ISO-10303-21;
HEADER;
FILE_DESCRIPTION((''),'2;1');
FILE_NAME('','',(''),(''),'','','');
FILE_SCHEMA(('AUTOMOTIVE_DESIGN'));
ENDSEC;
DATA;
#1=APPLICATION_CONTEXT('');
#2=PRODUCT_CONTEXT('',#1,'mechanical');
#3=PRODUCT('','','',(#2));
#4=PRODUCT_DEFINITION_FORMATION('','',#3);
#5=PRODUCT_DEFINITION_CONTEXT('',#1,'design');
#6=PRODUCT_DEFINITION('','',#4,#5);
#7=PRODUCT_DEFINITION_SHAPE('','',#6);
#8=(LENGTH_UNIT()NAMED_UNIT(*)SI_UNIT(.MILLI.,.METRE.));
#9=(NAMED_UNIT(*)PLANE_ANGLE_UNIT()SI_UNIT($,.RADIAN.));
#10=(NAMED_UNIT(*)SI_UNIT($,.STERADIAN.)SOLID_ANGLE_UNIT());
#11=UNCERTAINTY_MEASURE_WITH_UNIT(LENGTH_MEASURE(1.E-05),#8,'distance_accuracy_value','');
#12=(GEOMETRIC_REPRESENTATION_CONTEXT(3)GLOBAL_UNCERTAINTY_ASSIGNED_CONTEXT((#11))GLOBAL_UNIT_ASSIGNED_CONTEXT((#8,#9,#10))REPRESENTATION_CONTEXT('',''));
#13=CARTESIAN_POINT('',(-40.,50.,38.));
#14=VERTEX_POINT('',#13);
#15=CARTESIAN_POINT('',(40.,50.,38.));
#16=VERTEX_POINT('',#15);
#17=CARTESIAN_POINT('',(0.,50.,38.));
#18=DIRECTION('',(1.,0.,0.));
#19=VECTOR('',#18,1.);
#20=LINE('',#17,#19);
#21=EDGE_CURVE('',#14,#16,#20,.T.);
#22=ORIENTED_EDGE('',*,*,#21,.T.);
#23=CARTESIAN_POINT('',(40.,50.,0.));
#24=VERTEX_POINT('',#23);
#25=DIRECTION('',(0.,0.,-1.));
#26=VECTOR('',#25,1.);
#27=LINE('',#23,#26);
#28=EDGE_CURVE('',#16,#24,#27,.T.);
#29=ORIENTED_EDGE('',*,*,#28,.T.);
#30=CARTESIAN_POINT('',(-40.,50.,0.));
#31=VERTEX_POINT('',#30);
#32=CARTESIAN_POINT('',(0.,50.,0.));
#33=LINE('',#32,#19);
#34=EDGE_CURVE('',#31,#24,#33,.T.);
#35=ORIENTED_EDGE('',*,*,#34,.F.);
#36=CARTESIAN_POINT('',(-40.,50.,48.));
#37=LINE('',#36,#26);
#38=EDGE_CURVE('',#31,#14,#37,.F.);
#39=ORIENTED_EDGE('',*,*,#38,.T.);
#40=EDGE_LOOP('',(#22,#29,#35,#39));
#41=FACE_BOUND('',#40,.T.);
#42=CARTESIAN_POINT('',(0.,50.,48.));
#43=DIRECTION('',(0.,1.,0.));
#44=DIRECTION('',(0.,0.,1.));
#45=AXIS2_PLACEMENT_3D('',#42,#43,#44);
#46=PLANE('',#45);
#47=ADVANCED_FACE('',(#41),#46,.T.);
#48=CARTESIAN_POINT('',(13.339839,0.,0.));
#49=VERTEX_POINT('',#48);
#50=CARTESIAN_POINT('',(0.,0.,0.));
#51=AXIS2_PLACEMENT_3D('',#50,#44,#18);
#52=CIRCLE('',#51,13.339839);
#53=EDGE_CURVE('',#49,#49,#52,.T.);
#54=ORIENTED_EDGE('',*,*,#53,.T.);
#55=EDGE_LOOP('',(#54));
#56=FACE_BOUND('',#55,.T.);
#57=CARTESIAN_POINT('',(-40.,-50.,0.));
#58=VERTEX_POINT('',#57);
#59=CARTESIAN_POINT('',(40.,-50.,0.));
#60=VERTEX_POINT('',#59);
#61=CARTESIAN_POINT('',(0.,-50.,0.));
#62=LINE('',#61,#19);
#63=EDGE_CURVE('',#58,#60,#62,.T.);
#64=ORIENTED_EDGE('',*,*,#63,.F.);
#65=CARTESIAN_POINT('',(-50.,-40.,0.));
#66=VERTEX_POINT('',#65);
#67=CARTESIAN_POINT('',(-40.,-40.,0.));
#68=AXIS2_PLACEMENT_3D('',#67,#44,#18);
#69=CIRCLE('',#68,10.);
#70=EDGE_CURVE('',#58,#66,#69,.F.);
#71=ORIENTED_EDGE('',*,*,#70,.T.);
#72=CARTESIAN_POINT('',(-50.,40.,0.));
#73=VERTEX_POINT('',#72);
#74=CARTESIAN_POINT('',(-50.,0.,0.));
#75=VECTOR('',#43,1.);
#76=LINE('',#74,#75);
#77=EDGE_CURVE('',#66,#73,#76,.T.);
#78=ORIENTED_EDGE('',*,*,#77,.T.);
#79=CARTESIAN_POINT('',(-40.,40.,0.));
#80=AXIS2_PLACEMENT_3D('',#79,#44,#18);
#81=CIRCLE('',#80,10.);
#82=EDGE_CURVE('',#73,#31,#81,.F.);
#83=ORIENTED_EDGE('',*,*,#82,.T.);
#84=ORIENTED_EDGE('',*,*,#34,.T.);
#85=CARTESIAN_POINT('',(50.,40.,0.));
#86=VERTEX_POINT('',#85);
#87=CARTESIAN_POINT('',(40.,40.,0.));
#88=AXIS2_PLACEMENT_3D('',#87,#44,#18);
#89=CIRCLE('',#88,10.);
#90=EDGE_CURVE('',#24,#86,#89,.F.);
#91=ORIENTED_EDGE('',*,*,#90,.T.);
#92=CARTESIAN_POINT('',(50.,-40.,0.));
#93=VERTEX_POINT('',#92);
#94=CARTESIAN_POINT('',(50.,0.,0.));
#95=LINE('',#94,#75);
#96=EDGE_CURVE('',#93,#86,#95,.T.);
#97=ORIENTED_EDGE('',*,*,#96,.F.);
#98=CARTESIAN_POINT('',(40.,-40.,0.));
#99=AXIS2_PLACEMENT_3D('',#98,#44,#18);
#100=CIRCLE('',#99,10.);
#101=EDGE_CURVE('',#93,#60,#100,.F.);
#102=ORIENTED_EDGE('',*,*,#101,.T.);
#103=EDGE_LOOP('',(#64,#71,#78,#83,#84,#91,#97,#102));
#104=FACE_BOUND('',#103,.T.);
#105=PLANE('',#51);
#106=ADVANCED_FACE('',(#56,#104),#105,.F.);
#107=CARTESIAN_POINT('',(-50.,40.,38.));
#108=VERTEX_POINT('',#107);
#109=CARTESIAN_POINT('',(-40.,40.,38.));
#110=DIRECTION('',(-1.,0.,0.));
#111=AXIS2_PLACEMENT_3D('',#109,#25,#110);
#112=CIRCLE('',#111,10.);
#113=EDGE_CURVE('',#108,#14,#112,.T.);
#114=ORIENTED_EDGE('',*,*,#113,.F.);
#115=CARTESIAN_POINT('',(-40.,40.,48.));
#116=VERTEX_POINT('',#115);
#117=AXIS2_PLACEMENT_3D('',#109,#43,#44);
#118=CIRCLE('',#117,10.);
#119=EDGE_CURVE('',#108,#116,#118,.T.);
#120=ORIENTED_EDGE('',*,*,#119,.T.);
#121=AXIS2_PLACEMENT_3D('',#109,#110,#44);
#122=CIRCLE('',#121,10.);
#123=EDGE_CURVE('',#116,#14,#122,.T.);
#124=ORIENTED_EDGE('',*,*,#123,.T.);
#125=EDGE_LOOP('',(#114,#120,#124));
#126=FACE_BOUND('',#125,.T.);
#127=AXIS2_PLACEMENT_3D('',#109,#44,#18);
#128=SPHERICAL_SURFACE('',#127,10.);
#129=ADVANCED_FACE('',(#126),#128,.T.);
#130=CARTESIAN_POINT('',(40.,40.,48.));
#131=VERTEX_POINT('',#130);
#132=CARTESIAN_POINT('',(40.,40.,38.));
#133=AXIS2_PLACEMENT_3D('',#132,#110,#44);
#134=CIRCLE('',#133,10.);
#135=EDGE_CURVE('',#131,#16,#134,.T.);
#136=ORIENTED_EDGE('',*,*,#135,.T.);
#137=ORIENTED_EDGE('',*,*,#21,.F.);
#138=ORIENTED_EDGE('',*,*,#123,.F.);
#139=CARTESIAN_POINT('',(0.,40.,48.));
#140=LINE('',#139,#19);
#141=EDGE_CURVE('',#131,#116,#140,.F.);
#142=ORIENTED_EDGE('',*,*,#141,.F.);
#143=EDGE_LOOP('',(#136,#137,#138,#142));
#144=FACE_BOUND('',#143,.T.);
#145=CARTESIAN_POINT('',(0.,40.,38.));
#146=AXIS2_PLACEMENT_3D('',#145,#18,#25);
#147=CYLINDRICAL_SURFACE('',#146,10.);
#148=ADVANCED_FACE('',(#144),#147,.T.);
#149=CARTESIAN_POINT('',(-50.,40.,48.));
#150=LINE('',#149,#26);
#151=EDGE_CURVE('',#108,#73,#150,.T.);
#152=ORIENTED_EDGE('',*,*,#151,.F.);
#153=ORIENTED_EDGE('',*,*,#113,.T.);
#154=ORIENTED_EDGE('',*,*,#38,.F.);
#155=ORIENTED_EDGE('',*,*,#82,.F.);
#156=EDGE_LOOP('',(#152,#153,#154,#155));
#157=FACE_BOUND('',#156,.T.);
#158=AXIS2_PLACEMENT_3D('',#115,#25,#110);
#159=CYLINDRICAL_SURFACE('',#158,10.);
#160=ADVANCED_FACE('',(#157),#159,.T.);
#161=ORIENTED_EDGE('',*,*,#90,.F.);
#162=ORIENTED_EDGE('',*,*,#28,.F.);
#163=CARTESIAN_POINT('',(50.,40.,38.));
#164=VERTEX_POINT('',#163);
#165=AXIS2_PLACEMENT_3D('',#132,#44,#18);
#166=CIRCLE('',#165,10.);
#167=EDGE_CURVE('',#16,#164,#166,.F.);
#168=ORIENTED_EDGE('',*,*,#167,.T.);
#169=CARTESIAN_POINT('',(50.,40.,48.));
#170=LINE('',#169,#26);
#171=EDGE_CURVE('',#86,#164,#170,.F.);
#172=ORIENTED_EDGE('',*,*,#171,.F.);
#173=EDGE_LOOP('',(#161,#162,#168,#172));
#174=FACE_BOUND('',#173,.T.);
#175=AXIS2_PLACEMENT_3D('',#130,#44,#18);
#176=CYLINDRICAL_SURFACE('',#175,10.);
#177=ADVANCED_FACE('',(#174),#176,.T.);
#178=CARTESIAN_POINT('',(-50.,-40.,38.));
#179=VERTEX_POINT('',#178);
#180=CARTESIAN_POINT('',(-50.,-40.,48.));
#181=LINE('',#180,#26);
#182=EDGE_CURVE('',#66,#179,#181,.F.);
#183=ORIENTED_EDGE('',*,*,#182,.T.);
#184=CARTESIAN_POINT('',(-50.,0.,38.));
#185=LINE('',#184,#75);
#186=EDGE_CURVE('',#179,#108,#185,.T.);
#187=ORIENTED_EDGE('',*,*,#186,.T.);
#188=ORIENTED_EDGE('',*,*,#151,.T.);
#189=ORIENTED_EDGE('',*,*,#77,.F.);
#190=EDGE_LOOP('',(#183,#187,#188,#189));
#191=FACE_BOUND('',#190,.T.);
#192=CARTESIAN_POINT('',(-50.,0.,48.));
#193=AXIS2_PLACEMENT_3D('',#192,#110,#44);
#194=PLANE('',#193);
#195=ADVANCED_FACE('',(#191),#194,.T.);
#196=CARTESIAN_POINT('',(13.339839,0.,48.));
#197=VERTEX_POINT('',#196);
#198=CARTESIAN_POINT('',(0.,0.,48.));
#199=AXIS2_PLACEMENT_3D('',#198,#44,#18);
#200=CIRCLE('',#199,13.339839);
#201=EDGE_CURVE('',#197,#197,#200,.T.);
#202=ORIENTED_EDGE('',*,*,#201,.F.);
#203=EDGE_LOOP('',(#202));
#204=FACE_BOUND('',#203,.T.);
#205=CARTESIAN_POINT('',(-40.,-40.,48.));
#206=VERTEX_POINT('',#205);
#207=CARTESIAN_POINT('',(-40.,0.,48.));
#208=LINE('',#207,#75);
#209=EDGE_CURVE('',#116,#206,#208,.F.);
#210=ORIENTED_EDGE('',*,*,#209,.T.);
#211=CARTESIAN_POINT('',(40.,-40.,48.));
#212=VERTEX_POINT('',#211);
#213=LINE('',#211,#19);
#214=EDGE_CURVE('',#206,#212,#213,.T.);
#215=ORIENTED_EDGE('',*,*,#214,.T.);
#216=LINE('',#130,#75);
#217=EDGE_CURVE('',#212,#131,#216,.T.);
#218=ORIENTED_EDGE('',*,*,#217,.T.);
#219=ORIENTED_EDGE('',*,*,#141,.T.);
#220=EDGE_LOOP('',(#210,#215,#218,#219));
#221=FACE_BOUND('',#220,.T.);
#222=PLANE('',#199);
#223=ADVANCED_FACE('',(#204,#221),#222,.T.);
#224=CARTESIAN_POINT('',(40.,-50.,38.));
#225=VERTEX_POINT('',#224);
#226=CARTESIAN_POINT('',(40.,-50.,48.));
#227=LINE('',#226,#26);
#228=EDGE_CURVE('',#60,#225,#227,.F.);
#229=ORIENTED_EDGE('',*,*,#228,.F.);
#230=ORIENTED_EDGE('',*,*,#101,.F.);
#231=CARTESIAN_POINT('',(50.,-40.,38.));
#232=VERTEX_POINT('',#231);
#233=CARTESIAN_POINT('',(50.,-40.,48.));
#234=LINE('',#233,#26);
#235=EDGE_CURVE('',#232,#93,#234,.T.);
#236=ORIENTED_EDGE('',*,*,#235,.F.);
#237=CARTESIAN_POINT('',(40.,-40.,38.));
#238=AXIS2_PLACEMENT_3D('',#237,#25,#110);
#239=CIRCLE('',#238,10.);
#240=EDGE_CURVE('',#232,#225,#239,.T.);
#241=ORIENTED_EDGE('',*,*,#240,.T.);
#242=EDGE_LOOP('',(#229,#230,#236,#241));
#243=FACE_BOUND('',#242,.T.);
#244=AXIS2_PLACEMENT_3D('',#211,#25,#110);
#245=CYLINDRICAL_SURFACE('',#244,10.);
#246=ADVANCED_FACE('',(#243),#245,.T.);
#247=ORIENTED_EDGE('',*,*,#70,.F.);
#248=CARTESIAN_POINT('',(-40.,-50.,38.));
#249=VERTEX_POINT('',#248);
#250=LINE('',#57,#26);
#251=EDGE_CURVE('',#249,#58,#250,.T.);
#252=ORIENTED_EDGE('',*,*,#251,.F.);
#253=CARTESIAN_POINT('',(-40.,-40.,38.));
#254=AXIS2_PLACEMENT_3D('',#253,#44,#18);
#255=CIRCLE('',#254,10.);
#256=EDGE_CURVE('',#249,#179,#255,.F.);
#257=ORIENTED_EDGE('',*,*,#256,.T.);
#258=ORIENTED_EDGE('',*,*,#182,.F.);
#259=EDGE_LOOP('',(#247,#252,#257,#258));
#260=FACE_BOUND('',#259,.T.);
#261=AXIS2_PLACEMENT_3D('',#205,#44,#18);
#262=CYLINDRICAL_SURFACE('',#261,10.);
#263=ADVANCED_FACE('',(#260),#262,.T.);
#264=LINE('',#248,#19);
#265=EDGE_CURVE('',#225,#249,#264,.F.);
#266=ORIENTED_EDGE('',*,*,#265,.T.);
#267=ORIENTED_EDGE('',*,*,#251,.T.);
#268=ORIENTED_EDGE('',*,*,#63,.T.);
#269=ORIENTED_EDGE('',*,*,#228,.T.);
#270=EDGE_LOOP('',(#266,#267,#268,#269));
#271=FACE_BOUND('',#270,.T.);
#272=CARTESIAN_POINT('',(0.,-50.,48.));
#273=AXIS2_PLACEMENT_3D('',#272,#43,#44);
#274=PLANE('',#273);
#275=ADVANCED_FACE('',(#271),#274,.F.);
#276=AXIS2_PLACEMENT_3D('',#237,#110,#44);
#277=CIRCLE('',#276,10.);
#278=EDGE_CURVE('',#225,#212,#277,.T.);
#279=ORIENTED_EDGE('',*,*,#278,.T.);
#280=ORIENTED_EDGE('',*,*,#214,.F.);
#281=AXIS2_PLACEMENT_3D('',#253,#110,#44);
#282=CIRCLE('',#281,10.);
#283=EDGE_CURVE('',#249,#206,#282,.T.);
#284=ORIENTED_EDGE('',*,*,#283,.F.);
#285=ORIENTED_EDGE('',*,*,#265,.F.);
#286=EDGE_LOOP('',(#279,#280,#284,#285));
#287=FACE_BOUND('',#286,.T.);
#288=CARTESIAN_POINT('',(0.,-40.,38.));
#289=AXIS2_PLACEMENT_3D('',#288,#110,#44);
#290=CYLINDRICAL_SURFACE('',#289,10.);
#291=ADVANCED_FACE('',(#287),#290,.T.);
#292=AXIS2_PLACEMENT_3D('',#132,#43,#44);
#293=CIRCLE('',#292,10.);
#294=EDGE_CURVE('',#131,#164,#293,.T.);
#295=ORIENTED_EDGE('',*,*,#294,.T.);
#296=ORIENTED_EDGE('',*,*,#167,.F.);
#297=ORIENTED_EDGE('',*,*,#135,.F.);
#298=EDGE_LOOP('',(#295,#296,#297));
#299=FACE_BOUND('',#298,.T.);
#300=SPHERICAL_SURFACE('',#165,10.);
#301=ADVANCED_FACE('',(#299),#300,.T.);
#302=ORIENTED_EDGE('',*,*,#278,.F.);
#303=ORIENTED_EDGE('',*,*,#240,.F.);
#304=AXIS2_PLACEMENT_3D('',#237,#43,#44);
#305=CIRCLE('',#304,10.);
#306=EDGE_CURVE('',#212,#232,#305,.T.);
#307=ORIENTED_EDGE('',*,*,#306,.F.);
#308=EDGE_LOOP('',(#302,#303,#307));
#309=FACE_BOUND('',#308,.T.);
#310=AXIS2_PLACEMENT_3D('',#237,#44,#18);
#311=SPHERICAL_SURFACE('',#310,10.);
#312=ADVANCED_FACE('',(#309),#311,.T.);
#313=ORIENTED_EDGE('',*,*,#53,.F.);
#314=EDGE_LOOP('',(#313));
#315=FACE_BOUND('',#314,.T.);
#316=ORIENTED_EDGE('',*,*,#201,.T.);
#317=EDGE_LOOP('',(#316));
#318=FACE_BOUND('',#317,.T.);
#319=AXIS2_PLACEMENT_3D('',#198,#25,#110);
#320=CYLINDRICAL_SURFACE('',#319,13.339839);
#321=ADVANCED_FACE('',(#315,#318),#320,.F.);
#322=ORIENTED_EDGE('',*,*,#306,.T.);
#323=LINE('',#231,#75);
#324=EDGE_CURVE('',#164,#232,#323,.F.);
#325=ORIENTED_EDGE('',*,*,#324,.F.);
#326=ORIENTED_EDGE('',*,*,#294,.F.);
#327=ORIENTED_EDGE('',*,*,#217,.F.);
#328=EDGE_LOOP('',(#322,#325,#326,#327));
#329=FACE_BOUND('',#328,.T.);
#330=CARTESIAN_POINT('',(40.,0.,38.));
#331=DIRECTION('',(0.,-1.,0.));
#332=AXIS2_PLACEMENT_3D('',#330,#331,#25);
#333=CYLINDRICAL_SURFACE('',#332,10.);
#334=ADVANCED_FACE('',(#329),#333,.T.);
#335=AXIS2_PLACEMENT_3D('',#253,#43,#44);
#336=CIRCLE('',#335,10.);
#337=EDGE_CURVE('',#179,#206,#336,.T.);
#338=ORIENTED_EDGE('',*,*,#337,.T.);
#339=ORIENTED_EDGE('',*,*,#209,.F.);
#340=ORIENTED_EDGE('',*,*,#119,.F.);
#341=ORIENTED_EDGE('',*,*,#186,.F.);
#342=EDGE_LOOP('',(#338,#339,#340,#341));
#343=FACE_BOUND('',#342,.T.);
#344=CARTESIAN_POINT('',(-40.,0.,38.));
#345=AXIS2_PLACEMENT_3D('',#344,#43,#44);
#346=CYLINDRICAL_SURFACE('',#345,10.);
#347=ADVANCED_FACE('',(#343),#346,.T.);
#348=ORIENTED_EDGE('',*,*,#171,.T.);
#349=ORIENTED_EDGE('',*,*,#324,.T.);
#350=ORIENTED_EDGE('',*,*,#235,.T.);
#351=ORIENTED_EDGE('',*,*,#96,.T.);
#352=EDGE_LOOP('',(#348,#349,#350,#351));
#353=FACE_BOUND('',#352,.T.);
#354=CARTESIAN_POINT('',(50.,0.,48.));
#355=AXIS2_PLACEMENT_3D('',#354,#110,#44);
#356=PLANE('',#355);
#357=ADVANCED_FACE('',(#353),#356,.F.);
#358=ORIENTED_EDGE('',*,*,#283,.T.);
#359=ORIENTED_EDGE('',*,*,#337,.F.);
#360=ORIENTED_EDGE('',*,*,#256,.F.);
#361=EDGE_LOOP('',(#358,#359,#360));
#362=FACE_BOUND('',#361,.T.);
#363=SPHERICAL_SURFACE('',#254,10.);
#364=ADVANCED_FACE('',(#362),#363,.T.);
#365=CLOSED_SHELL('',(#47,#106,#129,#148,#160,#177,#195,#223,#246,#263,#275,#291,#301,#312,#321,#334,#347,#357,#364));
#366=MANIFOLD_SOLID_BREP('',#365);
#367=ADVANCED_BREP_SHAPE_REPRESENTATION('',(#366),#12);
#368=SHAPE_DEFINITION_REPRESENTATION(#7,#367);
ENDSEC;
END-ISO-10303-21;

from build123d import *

# Parameters (mm, degrees)
EXTRUDE_1_DEPTH = 48
FILLET_2_R      = 10
FILLET_3_R      = 10


with BuildPart() as part:
    # 草图1 → 凸台-拉伸1 (new body)
    with BuildSketch(Plane.XY):
        with BuildLine():
            Line((-50, 50), (-50, -50))
            Line((-50, -50), (0, -50))
            Line((0, -50), (0, -20.9))
            ThreePointArc((0, -20.9), (-20.9, 0), (0, 20.9))
            Line((0, 20.9), (0, 50))
            Line((0, 50), (-50, 50))
        make_face()
        with BuildLine():
            Line((50, 50), (0, 50))
            Line((0, 50), (0, 20.9))
            ThreePointArc((0, 20.9), (14.778531727, 14.778531727), (20.9, 0))
            Line((20.9, 0), (50, 0))
            Line((50, 0), (50, 50))
        make_face()
        with BuildLine():
            Line((0, -13.339839146), (0, -20.9))
            ThreePointArc((0, -20.9), (14.778531727, -14.778531727), (20.9, 0))
            Line((20.9, 0), (13.339839146, 0))
            ThreePointArc((13.339839146, 0), (9.43269072, -9.43269072), (0, -13.339839146))
        make_face()
        with BuildLine():
            ThreePointArc((20.9, 0), (14.778531727, 14.778531727), (0, 20.9))
            Line((0, 20.9), (0, 13.339839146))
            ThreePointArc((0, 13.339839146), (9.43269072, 9.43269072), (13.339839146, 0))
            Line((13.339839146, 0), (20.9, 0))
        make_face()
        with BuildLine():
            ThreePointArc((0, 20.9), (-20.9, 0), (0, -20.9))
            Line((0, -20.9), (0, -13.339839146))
            ThreePointArc((0, -13.339839146), (-13.339839146, 0), (0, 13.339839146))
            Line((0, 13.339839146), (0, 20.9))
        make_face()
        with BuildLine():
            Line((0, -20.9), (0, -50))
            Line((0, -50), (50, -50))
            Line((50, -50), (50, 0))
            Line((50, 0), (20.9, 0))
            ThreePointArc((20.9, 0), (14.778531727, -14.778531727), (0, -20.9))
        make_face()
    extrude(amount=EXTRUDE_1_DEPTH)

    # 圆角2
    fillet_2_edges = [part.edges().sort_by_distance(p)[0] for p in [
        (50, -50, 24),
        (-50, -50, 24),
        (-50, 50, 24),
        (50, 50, 24),
    ]]
    fillet(fillet_2_edges, radius=FILLET_2_R)

    # 圆角3
    fillet_3_edges = [part.edges().sort_by_distance(p)[0] for p in [
        (0, -50, 48),
        (-50, 0, 48),
        (50, 0, 48),
        (0, 50, 48),
        (-47.071067812, 47.071067812, 48),
        (47.071067812, 47.071067812, 48),
        (47.071067812, -47.071067812, 48),
        (-47.071067812, -47.071067812, 48),
    ]]
    fillet(fillet_3_edges, radius=FILLET_3_R)


solid = part.part
